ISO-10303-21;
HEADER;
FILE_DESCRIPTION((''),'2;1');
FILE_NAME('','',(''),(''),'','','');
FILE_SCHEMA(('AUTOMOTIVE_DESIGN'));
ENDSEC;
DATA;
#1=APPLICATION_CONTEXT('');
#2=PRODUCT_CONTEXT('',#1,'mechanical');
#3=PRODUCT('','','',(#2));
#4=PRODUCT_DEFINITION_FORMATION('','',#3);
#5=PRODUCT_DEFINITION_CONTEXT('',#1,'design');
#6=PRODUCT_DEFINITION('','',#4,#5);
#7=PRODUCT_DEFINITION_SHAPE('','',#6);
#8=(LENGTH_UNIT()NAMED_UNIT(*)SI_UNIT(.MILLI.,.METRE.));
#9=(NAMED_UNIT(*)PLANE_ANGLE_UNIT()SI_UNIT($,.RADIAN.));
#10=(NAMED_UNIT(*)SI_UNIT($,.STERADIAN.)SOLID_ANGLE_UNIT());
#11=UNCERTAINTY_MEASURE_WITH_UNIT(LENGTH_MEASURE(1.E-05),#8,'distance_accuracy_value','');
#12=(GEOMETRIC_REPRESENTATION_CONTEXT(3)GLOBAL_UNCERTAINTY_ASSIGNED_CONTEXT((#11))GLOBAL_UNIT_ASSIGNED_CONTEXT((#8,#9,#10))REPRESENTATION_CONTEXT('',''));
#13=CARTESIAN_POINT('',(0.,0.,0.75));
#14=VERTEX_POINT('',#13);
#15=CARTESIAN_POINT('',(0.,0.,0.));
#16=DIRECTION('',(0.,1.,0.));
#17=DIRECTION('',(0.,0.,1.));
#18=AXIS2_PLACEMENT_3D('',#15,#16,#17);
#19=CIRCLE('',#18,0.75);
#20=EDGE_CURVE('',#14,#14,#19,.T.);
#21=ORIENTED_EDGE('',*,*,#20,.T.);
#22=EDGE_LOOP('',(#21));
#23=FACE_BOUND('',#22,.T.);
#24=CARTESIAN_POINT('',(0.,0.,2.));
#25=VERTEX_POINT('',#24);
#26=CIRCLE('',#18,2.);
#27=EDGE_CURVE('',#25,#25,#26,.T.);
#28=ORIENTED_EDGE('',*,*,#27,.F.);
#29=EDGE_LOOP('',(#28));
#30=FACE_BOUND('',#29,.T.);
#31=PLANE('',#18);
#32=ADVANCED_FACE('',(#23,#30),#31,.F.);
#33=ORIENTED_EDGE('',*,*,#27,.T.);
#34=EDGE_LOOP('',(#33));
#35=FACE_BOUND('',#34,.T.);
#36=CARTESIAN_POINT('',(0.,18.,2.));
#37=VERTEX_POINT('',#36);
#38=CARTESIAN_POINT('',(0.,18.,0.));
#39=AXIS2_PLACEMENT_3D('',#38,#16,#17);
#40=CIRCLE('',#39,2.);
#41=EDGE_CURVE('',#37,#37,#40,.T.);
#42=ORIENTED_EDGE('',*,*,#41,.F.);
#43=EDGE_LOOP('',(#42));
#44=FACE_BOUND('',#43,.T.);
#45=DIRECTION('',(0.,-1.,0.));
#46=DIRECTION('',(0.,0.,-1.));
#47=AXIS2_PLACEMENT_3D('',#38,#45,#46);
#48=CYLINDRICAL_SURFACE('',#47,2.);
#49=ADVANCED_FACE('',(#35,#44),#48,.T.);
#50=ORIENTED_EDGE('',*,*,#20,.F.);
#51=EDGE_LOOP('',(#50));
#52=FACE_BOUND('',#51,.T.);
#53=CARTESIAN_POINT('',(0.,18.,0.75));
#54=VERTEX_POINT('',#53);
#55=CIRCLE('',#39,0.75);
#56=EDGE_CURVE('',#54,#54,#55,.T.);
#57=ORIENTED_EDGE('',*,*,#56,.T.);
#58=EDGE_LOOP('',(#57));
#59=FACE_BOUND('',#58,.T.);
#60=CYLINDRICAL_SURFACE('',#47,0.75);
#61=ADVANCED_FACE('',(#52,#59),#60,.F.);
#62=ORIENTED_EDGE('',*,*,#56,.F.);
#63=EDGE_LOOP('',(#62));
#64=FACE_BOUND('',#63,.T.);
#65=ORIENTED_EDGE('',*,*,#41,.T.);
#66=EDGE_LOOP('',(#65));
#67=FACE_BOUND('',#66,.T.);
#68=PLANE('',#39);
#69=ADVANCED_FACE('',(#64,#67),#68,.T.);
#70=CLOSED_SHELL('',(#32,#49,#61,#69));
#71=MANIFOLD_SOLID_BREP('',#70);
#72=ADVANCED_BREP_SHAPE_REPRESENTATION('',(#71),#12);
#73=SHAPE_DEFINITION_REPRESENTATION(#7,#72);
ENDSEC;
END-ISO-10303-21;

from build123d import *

# Parameters (mm, degrees)
SKETCH_1_R      = 2
SKETCH_1_R_2    = 0.75
EXTRUDE_1_DEPTH = 18


with BuildPart() as part:
    # 草图1 → 凸台-拉伸1 (new body)
    with BuildSketch(Plane(origin=(0, 0, 0), x_dir=(1, 0, 0), z_dir=(0, 1, 0))):
        Circle(SKETCH_1_R)
        Circle(SKETCH_1_R_2, mode=Mode.SUBTRACT)
    extrude(amount=EXTRUDE_1_DEPTH)


solid = part.part
